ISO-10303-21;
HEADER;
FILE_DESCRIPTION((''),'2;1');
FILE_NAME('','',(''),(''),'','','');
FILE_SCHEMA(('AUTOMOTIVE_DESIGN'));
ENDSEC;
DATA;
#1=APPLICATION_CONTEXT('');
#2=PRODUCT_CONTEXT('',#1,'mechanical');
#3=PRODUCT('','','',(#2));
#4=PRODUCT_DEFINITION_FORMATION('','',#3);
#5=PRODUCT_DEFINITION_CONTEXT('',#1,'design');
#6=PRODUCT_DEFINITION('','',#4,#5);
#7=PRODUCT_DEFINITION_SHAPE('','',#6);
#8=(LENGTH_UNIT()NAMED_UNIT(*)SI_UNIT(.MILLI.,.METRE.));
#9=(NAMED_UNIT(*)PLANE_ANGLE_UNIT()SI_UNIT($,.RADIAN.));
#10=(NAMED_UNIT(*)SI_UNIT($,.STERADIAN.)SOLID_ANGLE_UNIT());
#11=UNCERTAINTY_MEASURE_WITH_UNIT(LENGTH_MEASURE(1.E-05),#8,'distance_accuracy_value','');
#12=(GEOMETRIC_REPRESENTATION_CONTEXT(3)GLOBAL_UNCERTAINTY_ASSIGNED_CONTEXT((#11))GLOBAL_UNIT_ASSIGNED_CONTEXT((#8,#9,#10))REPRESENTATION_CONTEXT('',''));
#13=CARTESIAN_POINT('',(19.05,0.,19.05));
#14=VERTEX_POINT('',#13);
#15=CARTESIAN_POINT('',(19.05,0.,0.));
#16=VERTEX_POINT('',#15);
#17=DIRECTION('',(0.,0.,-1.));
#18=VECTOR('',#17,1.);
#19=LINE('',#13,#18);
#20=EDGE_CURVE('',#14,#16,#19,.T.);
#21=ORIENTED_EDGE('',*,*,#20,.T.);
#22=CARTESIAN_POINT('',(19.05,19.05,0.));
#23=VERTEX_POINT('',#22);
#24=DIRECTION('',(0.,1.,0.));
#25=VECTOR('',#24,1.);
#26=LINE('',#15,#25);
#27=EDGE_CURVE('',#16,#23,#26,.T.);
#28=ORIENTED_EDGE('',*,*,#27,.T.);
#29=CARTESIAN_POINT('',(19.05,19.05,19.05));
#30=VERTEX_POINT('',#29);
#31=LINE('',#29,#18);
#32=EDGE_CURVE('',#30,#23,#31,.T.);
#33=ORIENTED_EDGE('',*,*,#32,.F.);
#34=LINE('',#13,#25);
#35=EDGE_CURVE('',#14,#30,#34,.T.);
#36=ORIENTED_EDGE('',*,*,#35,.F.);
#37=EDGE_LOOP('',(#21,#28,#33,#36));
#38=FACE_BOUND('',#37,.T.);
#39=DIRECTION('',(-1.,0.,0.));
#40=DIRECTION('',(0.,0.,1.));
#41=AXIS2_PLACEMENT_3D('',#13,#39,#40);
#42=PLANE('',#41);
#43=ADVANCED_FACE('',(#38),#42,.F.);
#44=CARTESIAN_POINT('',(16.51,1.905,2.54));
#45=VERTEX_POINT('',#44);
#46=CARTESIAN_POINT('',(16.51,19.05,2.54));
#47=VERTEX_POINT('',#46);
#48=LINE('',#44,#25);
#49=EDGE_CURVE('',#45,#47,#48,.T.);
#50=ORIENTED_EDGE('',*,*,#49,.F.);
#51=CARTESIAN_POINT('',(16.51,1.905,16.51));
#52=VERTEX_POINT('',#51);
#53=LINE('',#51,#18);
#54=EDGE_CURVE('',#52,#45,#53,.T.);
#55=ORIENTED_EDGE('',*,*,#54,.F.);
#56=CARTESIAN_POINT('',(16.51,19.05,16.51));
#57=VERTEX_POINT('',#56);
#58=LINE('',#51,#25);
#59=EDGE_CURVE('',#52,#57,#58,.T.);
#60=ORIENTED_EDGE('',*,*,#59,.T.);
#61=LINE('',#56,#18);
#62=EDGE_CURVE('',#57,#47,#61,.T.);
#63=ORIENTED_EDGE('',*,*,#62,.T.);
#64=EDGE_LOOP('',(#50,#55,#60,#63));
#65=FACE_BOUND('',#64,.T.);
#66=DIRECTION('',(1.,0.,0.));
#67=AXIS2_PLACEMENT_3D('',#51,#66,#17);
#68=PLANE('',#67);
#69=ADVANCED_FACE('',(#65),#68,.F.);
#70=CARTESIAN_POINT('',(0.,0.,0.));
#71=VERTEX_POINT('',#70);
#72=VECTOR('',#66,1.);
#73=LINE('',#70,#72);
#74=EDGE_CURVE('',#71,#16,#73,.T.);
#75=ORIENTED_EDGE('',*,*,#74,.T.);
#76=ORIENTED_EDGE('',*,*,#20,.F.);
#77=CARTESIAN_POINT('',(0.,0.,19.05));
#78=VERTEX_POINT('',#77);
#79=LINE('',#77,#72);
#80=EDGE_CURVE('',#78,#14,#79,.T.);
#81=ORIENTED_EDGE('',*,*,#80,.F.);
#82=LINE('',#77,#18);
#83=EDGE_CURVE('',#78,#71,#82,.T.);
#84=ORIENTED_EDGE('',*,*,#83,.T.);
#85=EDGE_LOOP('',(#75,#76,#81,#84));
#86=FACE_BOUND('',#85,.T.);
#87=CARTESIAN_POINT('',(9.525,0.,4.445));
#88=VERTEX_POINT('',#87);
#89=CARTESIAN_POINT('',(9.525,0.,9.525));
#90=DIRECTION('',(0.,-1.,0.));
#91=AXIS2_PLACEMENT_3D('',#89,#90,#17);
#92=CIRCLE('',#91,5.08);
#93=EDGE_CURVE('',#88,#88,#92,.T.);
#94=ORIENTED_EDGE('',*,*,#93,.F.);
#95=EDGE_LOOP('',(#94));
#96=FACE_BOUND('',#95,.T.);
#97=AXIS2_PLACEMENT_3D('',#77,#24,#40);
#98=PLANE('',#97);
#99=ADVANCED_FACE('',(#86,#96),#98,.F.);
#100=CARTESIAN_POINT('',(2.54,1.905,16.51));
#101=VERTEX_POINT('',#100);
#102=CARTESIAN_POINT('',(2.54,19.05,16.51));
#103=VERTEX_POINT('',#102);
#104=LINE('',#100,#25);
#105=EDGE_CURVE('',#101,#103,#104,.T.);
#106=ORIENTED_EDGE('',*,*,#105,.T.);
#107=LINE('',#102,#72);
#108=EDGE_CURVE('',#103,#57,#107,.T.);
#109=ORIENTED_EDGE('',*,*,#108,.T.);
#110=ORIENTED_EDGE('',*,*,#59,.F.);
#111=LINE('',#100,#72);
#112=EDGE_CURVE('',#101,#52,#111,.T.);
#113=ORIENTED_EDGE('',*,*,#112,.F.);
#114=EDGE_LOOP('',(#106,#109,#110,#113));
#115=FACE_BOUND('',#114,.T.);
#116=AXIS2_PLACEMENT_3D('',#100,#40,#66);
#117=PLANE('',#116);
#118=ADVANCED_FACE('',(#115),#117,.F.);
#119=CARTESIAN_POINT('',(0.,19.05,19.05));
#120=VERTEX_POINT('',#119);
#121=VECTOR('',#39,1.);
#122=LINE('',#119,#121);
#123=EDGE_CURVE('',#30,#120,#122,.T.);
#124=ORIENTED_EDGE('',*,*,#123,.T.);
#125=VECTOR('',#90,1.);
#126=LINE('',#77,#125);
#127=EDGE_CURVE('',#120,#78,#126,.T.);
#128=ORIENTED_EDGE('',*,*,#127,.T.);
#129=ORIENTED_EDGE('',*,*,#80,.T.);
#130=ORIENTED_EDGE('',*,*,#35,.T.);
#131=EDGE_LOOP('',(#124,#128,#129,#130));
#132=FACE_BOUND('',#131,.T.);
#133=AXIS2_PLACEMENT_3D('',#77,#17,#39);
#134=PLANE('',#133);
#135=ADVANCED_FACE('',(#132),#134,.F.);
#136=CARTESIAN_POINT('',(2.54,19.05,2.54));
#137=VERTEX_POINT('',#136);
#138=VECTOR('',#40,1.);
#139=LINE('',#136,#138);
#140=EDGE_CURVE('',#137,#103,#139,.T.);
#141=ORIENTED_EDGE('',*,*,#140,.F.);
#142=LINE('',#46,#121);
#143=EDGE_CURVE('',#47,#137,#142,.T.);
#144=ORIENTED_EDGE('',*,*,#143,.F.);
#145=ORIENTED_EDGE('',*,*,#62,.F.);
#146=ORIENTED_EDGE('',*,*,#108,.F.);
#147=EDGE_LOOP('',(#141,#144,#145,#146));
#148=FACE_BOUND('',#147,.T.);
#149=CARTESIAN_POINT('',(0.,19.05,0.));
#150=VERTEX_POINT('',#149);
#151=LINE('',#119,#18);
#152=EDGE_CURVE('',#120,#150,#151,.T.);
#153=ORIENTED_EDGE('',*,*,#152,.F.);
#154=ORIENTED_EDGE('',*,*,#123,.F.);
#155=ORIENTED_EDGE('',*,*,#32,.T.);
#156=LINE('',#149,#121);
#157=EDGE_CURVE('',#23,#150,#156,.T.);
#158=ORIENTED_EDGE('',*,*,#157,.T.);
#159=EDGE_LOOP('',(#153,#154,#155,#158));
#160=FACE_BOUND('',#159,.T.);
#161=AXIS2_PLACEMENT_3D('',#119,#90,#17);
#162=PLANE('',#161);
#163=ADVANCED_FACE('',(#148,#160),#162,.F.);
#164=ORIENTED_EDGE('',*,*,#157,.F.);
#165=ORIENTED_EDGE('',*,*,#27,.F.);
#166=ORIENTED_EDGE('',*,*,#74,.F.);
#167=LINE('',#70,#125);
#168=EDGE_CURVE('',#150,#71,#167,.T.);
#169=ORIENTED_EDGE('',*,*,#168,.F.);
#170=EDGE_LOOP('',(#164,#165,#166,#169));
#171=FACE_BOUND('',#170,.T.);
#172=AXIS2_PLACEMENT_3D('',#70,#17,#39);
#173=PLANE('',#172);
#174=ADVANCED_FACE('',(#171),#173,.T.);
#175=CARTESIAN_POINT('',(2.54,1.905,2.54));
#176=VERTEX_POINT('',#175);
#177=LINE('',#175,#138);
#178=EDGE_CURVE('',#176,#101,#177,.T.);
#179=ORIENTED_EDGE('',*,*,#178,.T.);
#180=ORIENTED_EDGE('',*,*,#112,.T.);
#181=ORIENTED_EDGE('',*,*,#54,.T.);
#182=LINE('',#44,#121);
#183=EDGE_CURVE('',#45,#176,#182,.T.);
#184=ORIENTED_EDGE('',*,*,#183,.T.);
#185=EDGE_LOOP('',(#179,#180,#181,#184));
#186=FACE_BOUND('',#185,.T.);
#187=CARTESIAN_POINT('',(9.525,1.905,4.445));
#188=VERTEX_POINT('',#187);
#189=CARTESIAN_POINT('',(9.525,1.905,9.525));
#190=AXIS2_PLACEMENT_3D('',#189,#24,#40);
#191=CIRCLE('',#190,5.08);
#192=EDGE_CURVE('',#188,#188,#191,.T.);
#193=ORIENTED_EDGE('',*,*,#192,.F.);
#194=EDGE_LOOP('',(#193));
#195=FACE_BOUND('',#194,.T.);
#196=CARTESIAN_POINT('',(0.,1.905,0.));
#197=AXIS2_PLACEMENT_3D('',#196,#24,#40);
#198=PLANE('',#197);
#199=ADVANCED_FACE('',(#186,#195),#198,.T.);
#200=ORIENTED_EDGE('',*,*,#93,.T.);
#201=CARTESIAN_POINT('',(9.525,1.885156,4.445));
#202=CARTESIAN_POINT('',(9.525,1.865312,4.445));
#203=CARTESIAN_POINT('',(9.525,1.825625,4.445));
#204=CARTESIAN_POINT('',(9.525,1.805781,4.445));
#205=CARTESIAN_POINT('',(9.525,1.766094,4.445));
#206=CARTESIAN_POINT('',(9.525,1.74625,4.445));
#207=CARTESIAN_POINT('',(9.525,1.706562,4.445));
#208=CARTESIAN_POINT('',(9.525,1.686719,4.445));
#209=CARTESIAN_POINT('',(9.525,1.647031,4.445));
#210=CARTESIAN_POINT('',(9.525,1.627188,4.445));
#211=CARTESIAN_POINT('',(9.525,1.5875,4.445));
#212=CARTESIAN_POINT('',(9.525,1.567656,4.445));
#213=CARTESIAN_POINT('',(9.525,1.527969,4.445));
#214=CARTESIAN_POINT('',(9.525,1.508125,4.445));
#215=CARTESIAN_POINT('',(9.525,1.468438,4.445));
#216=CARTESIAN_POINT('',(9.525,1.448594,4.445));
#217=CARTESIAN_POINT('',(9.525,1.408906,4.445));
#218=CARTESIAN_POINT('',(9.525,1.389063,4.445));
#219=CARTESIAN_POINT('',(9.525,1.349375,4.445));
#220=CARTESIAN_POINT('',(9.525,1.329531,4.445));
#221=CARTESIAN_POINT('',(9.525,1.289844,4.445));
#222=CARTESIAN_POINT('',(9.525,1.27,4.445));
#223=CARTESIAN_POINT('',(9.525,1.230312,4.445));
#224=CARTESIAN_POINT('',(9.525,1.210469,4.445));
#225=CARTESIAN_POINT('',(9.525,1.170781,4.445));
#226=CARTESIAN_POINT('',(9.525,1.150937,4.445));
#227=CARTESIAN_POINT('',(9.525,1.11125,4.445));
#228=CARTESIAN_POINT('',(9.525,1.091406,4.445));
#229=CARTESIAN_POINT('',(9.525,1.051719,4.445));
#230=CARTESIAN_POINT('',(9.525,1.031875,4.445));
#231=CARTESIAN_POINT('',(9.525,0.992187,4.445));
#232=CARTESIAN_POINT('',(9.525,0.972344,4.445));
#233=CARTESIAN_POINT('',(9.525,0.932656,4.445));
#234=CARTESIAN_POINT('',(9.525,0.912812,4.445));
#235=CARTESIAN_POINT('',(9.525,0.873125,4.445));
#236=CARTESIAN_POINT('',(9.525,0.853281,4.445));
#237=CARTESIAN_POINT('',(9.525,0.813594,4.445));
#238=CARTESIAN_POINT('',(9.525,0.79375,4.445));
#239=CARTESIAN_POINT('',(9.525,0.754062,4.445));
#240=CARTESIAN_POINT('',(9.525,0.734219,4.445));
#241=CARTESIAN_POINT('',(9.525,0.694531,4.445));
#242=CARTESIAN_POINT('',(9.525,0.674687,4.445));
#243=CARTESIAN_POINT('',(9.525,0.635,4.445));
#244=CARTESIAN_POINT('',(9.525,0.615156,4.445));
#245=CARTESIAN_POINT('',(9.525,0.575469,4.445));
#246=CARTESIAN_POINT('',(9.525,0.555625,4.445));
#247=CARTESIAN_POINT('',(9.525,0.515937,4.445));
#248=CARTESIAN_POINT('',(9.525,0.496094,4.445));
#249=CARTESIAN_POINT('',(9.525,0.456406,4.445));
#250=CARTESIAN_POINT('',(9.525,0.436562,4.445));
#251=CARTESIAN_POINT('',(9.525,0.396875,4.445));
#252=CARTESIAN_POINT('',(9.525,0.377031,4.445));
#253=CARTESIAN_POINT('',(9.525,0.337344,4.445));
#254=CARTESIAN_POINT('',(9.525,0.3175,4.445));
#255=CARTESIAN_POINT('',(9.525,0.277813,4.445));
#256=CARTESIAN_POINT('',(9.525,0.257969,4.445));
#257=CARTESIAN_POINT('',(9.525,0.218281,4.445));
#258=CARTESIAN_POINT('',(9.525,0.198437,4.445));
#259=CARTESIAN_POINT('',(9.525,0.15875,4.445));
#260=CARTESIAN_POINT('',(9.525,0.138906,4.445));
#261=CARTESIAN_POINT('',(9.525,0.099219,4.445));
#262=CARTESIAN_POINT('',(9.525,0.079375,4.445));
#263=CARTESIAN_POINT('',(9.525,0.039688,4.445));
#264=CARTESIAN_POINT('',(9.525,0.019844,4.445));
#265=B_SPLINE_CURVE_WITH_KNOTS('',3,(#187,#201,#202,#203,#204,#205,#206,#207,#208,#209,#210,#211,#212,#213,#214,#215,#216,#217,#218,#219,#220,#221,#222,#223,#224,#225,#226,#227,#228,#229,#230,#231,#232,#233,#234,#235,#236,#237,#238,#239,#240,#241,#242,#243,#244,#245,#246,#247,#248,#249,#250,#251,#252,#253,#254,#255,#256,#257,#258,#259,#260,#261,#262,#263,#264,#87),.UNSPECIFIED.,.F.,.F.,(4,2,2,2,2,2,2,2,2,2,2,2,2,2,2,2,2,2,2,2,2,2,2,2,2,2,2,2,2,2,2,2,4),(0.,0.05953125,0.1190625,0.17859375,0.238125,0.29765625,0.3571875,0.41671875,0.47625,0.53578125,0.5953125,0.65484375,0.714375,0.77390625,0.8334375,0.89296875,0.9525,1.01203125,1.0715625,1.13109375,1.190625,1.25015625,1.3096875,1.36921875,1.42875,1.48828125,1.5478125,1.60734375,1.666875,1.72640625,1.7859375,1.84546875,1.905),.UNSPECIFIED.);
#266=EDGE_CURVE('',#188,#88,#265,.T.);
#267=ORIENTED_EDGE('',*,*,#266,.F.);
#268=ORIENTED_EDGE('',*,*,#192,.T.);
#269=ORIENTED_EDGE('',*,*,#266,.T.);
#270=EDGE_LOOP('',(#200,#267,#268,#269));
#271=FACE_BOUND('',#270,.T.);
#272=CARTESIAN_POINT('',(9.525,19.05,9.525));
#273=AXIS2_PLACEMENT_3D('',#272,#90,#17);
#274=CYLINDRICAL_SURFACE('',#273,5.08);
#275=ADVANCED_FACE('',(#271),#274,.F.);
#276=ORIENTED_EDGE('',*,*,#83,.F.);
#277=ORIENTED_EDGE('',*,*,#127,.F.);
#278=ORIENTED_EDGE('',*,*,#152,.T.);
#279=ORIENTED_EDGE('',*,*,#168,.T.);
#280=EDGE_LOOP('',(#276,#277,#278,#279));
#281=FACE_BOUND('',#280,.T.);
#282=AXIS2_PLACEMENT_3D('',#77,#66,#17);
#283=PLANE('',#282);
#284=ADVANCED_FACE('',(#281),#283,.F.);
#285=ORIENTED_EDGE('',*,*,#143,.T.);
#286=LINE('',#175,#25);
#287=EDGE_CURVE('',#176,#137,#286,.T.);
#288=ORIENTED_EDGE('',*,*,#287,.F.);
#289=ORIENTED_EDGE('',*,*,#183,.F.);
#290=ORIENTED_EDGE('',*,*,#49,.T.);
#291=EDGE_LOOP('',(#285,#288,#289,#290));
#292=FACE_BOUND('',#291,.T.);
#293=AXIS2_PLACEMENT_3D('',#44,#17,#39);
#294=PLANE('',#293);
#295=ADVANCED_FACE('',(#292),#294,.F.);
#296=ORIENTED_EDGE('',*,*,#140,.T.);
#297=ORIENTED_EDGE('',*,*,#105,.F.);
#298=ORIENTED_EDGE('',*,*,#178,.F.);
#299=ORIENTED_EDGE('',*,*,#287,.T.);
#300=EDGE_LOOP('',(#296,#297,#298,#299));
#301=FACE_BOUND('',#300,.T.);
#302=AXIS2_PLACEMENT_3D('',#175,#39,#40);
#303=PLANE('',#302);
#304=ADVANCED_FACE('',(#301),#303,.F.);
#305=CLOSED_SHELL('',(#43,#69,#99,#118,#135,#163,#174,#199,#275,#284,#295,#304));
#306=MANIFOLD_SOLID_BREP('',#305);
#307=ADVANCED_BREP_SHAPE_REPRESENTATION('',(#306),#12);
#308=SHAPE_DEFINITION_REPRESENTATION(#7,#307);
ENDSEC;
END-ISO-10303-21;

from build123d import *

# Parameters (mm, degrees)
SKETCH3_W           = 19.05
SKETCH3_H           = 19.05
BOSS_EXTRUDE1_DEPTH = 19.05
SKETCH4_W           = 13.97
SKETCH4_H           = 13.97
CUT_EXTRUDE1_DEPTH  = 17.145
SKETCH5_R           = 5.08
CUT_EXTRUDE2_DEPTH  = 33.995567884


with BuildPart() as part:
    # Sketch3 → Boss-Extrude1 (new body)
    with BuildSketch(Plane.XY):
        with Locations((9.525, 9.525)):
            Rectangle(SKETCH3_W, SKETCH3_H)
    extrude(amount=BOSS_EXTRUDE1_DEPTH)

    # Sketch4 → Cut-Extrude1 (cut)
    with BuildSketch(Plane(origin=(0, 19.05, 0), x_dir=(1, 0, 0), z_dir=(0, 1, 0))):
        with Locations((9.525, -9.525)):
            Rectangle(SKETCH4_W, SKETCH4_H)
    extrude(amount=-CUT_EXTRUDE1_DEPTH, mode=Mode.SUBTRACT)

    # Sketch5 → Cut-Extrude2 (cut, through all)
    with BuildSketch(Plane(origin=(0, 0, 0), x_dir=(-1, 0, 0), z_dir=(0, -1, 0))):
        with Locations(Location((-9.525, -9.525, 0), (0, 0, 90))):
            Circle(SKETCH5_R)
    extrude(amount=-CUT_EXTRUDE2_DEPTH, mode=Mode.SUBTRACT)


solid = part.part
